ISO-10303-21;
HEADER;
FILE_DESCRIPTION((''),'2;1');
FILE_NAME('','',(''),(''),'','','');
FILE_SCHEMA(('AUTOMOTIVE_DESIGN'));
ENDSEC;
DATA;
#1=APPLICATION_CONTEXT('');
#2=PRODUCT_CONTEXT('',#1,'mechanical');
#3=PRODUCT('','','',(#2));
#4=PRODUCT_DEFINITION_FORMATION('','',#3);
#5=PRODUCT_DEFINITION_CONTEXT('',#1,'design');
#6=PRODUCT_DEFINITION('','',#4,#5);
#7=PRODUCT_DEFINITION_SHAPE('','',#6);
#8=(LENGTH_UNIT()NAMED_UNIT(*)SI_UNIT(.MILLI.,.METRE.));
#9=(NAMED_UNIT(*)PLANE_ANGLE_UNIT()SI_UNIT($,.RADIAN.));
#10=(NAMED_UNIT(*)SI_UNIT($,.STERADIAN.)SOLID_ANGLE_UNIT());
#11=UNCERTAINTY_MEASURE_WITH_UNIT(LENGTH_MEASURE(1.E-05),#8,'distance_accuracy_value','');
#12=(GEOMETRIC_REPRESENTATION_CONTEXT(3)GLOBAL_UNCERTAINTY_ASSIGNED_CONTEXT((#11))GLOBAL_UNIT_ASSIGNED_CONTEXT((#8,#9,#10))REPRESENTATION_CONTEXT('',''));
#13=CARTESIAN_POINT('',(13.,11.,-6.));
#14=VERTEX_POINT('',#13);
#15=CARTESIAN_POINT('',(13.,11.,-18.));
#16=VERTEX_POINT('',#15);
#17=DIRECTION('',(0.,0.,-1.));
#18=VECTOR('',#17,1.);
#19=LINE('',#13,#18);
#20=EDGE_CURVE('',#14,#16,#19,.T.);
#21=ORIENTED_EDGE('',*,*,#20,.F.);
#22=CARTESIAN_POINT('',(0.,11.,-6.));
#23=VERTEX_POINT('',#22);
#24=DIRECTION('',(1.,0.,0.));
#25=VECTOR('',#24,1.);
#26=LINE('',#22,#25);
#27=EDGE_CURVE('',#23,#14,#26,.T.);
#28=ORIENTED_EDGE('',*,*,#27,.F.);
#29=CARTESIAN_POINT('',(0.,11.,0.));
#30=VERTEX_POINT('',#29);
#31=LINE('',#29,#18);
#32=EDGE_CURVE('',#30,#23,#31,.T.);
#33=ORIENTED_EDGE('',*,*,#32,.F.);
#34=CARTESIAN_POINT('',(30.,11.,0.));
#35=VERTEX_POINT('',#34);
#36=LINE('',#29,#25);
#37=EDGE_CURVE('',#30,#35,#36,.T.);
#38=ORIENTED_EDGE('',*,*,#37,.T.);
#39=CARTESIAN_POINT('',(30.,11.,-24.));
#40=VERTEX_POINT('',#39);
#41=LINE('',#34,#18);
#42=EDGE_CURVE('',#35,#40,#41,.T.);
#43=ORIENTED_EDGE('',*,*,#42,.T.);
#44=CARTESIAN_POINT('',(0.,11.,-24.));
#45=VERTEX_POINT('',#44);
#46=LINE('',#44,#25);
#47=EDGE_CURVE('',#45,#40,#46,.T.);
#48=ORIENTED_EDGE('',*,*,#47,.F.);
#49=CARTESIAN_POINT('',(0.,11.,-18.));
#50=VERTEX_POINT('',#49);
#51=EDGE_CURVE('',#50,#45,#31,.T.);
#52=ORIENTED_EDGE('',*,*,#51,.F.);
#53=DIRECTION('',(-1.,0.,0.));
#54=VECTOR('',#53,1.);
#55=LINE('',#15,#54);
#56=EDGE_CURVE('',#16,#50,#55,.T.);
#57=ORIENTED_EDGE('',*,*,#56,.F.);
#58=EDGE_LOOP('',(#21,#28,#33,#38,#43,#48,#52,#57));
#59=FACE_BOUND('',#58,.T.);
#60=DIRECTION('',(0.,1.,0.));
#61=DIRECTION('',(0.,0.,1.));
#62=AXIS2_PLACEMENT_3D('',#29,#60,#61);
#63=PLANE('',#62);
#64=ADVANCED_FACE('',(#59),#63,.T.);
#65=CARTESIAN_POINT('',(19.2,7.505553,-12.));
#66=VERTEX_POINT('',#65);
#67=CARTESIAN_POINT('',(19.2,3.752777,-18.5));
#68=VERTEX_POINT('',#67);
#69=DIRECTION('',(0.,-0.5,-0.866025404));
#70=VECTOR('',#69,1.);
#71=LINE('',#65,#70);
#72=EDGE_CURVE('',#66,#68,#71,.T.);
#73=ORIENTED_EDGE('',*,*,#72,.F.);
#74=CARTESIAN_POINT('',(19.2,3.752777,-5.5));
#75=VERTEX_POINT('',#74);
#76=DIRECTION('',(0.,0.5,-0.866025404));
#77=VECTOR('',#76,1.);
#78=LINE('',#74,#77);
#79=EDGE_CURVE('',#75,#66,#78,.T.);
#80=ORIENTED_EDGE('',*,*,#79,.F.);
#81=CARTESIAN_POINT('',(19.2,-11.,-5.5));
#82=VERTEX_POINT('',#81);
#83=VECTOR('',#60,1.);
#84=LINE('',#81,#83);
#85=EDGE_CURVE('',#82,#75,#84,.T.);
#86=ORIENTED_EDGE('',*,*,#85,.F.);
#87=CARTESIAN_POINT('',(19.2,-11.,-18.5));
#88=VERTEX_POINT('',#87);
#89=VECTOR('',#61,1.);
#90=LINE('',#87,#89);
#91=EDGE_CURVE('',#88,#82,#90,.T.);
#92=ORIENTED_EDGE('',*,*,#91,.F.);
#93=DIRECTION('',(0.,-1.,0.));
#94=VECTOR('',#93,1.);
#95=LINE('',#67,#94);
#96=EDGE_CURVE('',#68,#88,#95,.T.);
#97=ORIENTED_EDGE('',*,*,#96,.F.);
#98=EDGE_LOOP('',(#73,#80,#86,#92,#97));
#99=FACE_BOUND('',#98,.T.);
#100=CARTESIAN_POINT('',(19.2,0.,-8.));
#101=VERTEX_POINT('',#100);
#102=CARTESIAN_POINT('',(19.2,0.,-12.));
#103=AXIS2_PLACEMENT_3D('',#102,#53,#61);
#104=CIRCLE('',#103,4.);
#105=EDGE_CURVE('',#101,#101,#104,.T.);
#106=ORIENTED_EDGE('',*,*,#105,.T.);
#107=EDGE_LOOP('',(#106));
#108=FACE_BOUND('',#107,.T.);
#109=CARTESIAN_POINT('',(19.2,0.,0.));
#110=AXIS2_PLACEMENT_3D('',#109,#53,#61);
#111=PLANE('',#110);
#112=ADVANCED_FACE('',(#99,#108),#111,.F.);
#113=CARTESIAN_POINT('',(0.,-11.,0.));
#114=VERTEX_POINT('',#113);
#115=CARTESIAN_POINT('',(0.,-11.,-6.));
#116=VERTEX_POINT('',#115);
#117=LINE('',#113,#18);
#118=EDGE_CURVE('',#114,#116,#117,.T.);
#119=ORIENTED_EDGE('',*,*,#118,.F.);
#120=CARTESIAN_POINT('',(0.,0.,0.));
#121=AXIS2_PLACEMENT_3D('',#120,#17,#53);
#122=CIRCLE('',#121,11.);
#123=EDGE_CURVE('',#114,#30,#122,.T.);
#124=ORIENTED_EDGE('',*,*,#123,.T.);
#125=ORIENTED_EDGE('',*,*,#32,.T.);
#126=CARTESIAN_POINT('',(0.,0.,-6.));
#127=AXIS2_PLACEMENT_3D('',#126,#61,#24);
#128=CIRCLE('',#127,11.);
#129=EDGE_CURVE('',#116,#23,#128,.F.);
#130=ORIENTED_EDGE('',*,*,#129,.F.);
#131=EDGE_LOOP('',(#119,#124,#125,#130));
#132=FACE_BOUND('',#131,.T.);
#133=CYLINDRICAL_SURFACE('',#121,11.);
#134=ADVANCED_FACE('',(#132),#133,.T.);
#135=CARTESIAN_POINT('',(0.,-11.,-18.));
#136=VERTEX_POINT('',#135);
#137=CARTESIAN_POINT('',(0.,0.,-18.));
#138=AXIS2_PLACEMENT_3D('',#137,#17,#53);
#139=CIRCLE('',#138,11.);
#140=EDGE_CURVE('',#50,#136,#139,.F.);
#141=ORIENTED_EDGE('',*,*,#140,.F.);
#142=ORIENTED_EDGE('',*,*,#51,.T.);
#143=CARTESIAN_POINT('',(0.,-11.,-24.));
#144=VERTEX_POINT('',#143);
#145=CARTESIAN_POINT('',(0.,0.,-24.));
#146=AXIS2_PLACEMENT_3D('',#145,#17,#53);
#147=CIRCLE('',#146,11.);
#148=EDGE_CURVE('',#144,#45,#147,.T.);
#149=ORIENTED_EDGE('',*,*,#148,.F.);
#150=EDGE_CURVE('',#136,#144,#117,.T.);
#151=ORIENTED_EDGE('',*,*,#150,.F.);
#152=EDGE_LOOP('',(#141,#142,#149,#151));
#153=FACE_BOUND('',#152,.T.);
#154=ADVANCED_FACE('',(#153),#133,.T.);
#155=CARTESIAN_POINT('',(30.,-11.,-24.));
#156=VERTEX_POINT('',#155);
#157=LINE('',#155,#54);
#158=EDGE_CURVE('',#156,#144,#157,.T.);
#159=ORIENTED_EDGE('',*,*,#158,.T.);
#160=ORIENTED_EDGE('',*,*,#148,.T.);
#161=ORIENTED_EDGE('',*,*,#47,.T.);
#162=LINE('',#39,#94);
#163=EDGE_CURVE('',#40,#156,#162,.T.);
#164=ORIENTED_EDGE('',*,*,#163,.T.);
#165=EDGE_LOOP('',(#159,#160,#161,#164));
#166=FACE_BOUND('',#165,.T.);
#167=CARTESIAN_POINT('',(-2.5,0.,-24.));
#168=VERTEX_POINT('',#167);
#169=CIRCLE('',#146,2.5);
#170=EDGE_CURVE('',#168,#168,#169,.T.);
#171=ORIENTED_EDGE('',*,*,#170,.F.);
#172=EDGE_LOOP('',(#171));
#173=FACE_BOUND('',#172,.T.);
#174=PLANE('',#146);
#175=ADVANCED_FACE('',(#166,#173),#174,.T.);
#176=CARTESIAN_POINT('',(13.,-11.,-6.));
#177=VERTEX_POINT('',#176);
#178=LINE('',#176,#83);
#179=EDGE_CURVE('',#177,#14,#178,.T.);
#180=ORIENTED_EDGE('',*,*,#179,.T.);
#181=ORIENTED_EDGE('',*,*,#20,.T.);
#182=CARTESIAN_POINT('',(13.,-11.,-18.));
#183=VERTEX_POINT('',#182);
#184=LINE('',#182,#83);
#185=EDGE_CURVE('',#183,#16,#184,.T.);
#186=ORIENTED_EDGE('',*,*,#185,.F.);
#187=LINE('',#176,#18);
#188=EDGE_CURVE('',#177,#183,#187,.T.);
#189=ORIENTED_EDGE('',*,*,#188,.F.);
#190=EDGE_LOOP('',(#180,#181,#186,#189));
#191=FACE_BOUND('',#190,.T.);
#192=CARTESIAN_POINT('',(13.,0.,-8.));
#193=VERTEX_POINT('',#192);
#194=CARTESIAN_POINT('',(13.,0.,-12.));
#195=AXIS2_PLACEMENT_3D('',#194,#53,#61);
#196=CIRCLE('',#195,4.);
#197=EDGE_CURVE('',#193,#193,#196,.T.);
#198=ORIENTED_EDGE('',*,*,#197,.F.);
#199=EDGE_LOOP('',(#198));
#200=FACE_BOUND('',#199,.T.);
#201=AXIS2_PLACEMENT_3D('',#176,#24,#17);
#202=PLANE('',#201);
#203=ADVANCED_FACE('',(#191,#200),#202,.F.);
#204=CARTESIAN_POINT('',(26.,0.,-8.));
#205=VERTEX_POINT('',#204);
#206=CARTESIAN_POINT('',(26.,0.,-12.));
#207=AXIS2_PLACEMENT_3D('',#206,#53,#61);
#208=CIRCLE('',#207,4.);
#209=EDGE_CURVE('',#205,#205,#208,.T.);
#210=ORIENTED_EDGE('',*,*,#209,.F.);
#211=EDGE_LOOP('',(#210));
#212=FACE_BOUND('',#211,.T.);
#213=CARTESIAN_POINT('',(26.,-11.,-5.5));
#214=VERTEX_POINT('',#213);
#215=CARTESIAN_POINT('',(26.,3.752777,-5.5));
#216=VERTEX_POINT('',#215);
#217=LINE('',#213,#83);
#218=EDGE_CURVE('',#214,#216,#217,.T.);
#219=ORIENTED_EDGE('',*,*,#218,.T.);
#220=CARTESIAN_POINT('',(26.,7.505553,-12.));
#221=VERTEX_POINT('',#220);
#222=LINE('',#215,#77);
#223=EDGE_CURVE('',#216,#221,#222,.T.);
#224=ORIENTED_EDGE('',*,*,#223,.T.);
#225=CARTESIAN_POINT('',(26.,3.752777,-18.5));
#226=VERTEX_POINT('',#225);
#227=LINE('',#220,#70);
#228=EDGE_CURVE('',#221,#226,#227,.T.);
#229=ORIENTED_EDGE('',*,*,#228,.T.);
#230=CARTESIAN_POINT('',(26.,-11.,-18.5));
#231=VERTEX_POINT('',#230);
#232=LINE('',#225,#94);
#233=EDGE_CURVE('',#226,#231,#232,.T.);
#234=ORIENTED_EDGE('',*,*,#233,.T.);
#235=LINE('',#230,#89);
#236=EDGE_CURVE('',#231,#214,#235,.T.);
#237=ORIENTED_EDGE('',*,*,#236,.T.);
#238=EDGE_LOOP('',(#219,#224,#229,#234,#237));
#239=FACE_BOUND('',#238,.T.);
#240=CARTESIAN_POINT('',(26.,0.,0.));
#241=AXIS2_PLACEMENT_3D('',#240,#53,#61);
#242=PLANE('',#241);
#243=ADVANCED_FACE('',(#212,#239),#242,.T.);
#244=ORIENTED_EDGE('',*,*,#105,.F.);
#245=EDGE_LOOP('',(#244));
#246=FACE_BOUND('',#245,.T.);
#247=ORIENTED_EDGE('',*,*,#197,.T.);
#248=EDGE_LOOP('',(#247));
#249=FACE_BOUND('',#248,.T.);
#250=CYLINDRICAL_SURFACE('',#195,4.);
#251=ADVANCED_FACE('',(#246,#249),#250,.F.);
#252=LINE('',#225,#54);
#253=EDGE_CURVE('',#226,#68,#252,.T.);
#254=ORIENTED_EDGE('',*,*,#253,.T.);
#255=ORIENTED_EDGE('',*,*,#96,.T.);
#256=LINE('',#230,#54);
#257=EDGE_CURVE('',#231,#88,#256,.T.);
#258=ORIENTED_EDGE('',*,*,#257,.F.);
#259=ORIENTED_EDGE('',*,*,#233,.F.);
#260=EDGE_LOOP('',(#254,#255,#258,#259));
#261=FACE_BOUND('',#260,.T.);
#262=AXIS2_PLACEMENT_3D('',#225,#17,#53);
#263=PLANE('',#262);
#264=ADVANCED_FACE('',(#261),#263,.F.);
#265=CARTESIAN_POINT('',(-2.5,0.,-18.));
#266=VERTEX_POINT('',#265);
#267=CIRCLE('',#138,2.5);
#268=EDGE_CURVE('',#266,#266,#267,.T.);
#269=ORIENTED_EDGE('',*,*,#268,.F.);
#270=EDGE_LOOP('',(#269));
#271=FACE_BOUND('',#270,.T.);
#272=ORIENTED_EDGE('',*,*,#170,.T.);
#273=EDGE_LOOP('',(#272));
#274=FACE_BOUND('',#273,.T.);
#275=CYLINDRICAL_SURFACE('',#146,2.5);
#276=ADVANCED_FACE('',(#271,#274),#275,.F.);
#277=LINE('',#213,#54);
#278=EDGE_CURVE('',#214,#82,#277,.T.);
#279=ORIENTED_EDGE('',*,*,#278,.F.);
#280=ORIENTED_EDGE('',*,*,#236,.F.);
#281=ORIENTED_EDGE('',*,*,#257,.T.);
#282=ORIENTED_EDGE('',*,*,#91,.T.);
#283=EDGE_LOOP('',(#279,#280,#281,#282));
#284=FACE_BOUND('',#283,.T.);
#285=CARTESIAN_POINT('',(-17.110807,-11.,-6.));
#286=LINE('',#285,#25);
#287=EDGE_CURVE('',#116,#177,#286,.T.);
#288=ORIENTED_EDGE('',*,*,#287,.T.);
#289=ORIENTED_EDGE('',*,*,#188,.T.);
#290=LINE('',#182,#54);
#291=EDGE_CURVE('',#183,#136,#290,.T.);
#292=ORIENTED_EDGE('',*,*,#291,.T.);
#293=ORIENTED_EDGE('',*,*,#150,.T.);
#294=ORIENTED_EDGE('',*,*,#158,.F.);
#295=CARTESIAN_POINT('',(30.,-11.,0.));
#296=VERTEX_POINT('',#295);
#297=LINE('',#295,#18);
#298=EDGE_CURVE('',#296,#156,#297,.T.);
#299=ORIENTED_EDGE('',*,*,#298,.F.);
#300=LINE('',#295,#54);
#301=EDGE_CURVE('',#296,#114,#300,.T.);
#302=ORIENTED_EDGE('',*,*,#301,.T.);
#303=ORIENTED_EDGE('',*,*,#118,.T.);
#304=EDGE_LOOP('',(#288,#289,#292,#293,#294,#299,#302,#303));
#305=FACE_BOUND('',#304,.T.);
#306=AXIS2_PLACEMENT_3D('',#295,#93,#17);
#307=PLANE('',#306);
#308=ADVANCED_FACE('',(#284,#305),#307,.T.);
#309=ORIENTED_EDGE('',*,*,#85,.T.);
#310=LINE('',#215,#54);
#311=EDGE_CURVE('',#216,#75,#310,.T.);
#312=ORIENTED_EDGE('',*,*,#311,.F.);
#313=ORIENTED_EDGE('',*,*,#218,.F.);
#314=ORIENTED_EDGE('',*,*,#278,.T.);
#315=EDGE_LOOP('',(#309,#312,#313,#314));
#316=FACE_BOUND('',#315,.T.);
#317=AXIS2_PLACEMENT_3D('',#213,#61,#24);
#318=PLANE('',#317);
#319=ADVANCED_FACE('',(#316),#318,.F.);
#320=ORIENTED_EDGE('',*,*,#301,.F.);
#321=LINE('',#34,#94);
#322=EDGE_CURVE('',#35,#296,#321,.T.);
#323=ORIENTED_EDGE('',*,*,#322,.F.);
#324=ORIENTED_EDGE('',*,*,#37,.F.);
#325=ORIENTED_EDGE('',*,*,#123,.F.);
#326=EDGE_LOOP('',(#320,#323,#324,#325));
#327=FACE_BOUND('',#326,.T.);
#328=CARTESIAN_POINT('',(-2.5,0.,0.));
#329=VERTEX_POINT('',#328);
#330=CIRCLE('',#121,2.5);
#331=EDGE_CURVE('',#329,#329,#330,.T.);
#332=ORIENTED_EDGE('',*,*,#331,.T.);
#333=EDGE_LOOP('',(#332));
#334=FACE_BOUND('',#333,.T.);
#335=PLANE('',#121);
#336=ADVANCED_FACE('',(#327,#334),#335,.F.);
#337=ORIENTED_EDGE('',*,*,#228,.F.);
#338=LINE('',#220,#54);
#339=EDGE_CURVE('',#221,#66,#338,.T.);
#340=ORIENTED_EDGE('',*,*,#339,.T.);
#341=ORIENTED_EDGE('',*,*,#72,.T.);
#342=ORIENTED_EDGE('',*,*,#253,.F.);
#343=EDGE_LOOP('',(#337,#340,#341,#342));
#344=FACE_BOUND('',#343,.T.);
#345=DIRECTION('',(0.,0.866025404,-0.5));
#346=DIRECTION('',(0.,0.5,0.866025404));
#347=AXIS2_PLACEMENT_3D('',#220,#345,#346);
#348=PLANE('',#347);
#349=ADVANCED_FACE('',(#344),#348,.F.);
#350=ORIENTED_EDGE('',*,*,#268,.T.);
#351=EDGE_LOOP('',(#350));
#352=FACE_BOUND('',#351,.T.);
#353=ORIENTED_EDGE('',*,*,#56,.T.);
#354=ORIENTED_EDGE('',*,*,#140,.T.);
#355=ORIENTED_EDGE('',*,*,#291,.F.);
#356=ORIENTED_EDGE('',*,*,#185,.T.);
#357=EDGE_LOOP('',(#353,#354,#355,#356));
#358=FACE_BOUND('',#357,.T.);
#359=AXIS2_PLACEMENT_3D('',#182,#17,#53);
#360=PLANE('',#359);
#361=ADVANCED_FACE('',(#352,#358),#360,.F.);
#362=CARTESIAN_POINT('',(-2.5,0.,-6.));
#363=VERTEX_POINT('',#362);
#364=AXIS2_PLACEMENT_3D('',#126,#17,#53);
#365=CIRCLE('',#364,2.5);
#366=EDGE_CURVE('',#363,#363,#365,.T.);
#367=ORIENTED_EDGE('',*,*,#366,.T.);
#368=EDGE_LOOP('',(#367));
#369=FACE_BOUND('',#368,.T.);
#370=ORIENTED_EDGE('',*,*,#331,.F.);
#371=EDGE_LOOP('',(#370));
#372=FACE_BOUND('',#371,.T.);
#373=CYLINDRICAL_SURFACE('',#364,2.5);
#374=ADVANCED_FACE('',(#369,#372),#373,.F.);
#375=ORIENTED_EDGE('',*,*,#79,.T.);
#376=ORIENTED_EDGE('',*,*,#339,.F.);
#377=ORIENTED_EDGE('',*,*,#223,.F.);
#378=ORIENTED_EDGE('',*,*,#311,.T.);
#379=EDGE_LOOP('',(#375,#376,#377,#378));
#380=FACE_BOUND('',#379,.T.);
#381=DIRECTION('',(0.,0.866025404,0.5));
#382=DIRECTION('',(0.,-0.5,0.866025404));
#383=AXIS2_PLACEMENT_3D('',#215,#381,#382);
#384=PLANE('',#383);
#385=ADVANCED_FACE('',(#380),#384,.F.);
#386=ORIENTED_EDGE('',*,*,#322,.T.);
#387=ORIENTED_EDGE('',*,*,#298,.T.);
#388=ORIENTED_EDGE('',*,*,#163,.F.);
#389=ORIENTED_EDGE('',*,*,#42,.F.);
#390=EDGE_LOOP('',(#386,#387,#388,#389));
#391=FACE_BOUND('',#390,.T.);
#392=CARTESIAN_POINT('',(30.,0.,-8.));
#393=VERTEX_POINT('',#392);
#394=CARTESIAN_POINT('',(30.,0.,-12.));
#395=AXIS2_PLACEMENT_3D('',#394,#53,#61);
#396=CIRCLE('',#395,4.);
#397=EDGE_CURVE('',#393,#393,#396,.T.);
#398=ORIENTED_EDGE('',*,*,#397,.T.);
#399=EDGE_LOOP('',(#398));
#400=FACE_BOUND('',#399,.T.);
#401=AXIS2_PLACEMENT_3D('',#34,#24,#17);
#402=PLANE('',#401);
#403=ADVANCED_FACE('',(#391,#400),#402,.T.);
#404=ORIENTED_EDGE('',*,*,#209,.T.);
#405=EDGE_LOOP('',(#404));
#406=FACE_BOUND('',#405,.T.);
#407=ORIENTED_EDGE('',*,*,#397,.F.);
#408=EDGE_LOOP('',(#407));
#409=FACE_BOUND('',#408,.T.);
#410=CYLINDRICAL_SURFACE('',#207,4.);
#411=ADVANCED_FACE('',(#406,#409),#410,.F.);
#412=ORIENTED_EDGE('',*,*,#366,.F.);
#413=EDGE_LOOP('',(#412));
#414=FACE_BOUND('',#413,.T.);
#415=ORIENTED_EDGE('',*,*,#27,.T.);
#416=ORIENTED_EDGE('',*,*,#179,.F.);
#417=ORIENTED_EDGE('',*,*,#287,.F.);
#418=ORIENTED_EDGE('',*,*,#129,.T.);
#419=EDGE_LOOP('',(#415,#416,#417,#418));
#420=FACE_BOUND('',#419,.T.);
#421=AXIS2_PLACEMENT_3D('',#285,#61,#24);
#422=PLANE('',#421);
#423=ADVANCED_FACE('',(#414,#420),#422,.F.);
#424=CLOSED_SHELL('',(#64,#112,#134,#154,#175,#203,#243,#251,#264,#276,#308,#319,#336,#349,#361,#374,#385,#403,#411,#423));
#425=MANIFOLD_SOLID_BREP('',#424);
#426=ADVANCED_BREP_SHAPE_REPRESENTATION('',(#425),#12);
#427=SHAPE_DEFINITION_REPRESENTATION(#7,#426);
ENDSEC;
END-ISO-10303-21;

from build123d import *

# Parameters (mm, degrees)
BOSS_EXTRUDE1_DEPTH          = 24
SKETCH2_W                    = 30.110806601
SKETCH2_H                    = 12
CUT_EXTRUDE1_DEPTH           = 45.271887242
CUT_EXTRUDE2_DEPTH           = 6.8
F_7_8_8_DIAMETER_HOLE1_D     = 8
F_7_8_8_DIAMETER_HOLE1_DEPTH = 6.2
F_7_8_8_DIAMETER_HOLE2_D     = 8
F_4_7_5_DIAMETER_HOLE2_D     = 5
F_4_7_5_DIAMETER_HOLE2_DEPTH = 6
F_4_7_5_DIAMETER_HOLE1_D     = 5


with BuildPart() as part:
    # Sketch1 → Boss-Extrude1 (new body)
    with BuildSketch(Plane(origin=(0, 0, -24), x_dir=(-1, 0, 0), z_dir=(0, 0, -1))):
        with BuildLine():
            Line((0, 11), (-30, 11))
            Line((-30, 11), (-30, -11))
            Line((-30, -11), (0, -11))
            ThreePointArc((0, -11), (11, 0), (0, 11))
        make_face()
    extrude(amount=-BOSS_EXTRUDE1_DEPTH)

    # Sketch2 → Cut-Extrude1 (cut, through all)
    with BuildSketch(Plane(origin=(0, 11, 0), x_dir=(-1, 0, 0), z_dir=(0, 1, 0))):
        with Locations((2.055403301, -12)):
            Rectangle(SKETCH2_W, SKETCH2_H)
    extrude(amount=-CUT_EXTRUDE1_DEPTH, mode=Mode.SUBTRACT)

    # Sketch3 → Cut-Extrude2 (cut)
    with BuildSketch(Plane(origin=(19.2, 0, 0), x_dir=(0, -1, 0), z_dir=(-1, 0, 0))):
        Polygon((11, -18.5), (11, -5.5), (-3.75277675, -5.5), (-7.505553499, -12), (-3.75277675, -18.5), align=None)
    extrude(amount=-CUT_EXTRUDE2_DEPTH, mode=Mode.SUBTRACT)

    # Ø7.8 (8) Diameter Hole1
    with Locations(Plane.ZY.offset(-13)):
        with Locations((-12, 0)):
            Hole(F_7_8_8_DIAMETER_HOLE1_D / 2, depth=F_7_8_8_DIAMETER_HOLE1_DEPTH)

    # Ø7.8 (8) Diameter Hole2 (through all)
    with Locations(Plane.ZY.offset(-26)):
        with Locations((-12, 0)):
            Hole(F_7_8_8_DIAMETER_HOLE2_D / 2)

    # Ø4.7 (5) Diameter Hole2
    with Locations(Plane(origin=(0, 0, -24), x_dir=(-1, 0, 0), z_dir=(0, 0, -1))):
        with Locations((0, 0)):
            Hole(F_4_7_5_DIAMETER_HOLE2_D / 2, depth=F_4_7_5_DIAMETER_HOLE2_DEPTH)

    # Ø4.7 (5) Diameter Hole1 (through all)
    with Locations(Plane(origin=(0, 0, -6), x_dir=(-1, 0, 0), z_dir=(0, 0, -1))):
        with Locations((0, 0)):
            Hole(F_4_7_5_DIAMETER_HOLE1_D / 2)


solid = part.part
